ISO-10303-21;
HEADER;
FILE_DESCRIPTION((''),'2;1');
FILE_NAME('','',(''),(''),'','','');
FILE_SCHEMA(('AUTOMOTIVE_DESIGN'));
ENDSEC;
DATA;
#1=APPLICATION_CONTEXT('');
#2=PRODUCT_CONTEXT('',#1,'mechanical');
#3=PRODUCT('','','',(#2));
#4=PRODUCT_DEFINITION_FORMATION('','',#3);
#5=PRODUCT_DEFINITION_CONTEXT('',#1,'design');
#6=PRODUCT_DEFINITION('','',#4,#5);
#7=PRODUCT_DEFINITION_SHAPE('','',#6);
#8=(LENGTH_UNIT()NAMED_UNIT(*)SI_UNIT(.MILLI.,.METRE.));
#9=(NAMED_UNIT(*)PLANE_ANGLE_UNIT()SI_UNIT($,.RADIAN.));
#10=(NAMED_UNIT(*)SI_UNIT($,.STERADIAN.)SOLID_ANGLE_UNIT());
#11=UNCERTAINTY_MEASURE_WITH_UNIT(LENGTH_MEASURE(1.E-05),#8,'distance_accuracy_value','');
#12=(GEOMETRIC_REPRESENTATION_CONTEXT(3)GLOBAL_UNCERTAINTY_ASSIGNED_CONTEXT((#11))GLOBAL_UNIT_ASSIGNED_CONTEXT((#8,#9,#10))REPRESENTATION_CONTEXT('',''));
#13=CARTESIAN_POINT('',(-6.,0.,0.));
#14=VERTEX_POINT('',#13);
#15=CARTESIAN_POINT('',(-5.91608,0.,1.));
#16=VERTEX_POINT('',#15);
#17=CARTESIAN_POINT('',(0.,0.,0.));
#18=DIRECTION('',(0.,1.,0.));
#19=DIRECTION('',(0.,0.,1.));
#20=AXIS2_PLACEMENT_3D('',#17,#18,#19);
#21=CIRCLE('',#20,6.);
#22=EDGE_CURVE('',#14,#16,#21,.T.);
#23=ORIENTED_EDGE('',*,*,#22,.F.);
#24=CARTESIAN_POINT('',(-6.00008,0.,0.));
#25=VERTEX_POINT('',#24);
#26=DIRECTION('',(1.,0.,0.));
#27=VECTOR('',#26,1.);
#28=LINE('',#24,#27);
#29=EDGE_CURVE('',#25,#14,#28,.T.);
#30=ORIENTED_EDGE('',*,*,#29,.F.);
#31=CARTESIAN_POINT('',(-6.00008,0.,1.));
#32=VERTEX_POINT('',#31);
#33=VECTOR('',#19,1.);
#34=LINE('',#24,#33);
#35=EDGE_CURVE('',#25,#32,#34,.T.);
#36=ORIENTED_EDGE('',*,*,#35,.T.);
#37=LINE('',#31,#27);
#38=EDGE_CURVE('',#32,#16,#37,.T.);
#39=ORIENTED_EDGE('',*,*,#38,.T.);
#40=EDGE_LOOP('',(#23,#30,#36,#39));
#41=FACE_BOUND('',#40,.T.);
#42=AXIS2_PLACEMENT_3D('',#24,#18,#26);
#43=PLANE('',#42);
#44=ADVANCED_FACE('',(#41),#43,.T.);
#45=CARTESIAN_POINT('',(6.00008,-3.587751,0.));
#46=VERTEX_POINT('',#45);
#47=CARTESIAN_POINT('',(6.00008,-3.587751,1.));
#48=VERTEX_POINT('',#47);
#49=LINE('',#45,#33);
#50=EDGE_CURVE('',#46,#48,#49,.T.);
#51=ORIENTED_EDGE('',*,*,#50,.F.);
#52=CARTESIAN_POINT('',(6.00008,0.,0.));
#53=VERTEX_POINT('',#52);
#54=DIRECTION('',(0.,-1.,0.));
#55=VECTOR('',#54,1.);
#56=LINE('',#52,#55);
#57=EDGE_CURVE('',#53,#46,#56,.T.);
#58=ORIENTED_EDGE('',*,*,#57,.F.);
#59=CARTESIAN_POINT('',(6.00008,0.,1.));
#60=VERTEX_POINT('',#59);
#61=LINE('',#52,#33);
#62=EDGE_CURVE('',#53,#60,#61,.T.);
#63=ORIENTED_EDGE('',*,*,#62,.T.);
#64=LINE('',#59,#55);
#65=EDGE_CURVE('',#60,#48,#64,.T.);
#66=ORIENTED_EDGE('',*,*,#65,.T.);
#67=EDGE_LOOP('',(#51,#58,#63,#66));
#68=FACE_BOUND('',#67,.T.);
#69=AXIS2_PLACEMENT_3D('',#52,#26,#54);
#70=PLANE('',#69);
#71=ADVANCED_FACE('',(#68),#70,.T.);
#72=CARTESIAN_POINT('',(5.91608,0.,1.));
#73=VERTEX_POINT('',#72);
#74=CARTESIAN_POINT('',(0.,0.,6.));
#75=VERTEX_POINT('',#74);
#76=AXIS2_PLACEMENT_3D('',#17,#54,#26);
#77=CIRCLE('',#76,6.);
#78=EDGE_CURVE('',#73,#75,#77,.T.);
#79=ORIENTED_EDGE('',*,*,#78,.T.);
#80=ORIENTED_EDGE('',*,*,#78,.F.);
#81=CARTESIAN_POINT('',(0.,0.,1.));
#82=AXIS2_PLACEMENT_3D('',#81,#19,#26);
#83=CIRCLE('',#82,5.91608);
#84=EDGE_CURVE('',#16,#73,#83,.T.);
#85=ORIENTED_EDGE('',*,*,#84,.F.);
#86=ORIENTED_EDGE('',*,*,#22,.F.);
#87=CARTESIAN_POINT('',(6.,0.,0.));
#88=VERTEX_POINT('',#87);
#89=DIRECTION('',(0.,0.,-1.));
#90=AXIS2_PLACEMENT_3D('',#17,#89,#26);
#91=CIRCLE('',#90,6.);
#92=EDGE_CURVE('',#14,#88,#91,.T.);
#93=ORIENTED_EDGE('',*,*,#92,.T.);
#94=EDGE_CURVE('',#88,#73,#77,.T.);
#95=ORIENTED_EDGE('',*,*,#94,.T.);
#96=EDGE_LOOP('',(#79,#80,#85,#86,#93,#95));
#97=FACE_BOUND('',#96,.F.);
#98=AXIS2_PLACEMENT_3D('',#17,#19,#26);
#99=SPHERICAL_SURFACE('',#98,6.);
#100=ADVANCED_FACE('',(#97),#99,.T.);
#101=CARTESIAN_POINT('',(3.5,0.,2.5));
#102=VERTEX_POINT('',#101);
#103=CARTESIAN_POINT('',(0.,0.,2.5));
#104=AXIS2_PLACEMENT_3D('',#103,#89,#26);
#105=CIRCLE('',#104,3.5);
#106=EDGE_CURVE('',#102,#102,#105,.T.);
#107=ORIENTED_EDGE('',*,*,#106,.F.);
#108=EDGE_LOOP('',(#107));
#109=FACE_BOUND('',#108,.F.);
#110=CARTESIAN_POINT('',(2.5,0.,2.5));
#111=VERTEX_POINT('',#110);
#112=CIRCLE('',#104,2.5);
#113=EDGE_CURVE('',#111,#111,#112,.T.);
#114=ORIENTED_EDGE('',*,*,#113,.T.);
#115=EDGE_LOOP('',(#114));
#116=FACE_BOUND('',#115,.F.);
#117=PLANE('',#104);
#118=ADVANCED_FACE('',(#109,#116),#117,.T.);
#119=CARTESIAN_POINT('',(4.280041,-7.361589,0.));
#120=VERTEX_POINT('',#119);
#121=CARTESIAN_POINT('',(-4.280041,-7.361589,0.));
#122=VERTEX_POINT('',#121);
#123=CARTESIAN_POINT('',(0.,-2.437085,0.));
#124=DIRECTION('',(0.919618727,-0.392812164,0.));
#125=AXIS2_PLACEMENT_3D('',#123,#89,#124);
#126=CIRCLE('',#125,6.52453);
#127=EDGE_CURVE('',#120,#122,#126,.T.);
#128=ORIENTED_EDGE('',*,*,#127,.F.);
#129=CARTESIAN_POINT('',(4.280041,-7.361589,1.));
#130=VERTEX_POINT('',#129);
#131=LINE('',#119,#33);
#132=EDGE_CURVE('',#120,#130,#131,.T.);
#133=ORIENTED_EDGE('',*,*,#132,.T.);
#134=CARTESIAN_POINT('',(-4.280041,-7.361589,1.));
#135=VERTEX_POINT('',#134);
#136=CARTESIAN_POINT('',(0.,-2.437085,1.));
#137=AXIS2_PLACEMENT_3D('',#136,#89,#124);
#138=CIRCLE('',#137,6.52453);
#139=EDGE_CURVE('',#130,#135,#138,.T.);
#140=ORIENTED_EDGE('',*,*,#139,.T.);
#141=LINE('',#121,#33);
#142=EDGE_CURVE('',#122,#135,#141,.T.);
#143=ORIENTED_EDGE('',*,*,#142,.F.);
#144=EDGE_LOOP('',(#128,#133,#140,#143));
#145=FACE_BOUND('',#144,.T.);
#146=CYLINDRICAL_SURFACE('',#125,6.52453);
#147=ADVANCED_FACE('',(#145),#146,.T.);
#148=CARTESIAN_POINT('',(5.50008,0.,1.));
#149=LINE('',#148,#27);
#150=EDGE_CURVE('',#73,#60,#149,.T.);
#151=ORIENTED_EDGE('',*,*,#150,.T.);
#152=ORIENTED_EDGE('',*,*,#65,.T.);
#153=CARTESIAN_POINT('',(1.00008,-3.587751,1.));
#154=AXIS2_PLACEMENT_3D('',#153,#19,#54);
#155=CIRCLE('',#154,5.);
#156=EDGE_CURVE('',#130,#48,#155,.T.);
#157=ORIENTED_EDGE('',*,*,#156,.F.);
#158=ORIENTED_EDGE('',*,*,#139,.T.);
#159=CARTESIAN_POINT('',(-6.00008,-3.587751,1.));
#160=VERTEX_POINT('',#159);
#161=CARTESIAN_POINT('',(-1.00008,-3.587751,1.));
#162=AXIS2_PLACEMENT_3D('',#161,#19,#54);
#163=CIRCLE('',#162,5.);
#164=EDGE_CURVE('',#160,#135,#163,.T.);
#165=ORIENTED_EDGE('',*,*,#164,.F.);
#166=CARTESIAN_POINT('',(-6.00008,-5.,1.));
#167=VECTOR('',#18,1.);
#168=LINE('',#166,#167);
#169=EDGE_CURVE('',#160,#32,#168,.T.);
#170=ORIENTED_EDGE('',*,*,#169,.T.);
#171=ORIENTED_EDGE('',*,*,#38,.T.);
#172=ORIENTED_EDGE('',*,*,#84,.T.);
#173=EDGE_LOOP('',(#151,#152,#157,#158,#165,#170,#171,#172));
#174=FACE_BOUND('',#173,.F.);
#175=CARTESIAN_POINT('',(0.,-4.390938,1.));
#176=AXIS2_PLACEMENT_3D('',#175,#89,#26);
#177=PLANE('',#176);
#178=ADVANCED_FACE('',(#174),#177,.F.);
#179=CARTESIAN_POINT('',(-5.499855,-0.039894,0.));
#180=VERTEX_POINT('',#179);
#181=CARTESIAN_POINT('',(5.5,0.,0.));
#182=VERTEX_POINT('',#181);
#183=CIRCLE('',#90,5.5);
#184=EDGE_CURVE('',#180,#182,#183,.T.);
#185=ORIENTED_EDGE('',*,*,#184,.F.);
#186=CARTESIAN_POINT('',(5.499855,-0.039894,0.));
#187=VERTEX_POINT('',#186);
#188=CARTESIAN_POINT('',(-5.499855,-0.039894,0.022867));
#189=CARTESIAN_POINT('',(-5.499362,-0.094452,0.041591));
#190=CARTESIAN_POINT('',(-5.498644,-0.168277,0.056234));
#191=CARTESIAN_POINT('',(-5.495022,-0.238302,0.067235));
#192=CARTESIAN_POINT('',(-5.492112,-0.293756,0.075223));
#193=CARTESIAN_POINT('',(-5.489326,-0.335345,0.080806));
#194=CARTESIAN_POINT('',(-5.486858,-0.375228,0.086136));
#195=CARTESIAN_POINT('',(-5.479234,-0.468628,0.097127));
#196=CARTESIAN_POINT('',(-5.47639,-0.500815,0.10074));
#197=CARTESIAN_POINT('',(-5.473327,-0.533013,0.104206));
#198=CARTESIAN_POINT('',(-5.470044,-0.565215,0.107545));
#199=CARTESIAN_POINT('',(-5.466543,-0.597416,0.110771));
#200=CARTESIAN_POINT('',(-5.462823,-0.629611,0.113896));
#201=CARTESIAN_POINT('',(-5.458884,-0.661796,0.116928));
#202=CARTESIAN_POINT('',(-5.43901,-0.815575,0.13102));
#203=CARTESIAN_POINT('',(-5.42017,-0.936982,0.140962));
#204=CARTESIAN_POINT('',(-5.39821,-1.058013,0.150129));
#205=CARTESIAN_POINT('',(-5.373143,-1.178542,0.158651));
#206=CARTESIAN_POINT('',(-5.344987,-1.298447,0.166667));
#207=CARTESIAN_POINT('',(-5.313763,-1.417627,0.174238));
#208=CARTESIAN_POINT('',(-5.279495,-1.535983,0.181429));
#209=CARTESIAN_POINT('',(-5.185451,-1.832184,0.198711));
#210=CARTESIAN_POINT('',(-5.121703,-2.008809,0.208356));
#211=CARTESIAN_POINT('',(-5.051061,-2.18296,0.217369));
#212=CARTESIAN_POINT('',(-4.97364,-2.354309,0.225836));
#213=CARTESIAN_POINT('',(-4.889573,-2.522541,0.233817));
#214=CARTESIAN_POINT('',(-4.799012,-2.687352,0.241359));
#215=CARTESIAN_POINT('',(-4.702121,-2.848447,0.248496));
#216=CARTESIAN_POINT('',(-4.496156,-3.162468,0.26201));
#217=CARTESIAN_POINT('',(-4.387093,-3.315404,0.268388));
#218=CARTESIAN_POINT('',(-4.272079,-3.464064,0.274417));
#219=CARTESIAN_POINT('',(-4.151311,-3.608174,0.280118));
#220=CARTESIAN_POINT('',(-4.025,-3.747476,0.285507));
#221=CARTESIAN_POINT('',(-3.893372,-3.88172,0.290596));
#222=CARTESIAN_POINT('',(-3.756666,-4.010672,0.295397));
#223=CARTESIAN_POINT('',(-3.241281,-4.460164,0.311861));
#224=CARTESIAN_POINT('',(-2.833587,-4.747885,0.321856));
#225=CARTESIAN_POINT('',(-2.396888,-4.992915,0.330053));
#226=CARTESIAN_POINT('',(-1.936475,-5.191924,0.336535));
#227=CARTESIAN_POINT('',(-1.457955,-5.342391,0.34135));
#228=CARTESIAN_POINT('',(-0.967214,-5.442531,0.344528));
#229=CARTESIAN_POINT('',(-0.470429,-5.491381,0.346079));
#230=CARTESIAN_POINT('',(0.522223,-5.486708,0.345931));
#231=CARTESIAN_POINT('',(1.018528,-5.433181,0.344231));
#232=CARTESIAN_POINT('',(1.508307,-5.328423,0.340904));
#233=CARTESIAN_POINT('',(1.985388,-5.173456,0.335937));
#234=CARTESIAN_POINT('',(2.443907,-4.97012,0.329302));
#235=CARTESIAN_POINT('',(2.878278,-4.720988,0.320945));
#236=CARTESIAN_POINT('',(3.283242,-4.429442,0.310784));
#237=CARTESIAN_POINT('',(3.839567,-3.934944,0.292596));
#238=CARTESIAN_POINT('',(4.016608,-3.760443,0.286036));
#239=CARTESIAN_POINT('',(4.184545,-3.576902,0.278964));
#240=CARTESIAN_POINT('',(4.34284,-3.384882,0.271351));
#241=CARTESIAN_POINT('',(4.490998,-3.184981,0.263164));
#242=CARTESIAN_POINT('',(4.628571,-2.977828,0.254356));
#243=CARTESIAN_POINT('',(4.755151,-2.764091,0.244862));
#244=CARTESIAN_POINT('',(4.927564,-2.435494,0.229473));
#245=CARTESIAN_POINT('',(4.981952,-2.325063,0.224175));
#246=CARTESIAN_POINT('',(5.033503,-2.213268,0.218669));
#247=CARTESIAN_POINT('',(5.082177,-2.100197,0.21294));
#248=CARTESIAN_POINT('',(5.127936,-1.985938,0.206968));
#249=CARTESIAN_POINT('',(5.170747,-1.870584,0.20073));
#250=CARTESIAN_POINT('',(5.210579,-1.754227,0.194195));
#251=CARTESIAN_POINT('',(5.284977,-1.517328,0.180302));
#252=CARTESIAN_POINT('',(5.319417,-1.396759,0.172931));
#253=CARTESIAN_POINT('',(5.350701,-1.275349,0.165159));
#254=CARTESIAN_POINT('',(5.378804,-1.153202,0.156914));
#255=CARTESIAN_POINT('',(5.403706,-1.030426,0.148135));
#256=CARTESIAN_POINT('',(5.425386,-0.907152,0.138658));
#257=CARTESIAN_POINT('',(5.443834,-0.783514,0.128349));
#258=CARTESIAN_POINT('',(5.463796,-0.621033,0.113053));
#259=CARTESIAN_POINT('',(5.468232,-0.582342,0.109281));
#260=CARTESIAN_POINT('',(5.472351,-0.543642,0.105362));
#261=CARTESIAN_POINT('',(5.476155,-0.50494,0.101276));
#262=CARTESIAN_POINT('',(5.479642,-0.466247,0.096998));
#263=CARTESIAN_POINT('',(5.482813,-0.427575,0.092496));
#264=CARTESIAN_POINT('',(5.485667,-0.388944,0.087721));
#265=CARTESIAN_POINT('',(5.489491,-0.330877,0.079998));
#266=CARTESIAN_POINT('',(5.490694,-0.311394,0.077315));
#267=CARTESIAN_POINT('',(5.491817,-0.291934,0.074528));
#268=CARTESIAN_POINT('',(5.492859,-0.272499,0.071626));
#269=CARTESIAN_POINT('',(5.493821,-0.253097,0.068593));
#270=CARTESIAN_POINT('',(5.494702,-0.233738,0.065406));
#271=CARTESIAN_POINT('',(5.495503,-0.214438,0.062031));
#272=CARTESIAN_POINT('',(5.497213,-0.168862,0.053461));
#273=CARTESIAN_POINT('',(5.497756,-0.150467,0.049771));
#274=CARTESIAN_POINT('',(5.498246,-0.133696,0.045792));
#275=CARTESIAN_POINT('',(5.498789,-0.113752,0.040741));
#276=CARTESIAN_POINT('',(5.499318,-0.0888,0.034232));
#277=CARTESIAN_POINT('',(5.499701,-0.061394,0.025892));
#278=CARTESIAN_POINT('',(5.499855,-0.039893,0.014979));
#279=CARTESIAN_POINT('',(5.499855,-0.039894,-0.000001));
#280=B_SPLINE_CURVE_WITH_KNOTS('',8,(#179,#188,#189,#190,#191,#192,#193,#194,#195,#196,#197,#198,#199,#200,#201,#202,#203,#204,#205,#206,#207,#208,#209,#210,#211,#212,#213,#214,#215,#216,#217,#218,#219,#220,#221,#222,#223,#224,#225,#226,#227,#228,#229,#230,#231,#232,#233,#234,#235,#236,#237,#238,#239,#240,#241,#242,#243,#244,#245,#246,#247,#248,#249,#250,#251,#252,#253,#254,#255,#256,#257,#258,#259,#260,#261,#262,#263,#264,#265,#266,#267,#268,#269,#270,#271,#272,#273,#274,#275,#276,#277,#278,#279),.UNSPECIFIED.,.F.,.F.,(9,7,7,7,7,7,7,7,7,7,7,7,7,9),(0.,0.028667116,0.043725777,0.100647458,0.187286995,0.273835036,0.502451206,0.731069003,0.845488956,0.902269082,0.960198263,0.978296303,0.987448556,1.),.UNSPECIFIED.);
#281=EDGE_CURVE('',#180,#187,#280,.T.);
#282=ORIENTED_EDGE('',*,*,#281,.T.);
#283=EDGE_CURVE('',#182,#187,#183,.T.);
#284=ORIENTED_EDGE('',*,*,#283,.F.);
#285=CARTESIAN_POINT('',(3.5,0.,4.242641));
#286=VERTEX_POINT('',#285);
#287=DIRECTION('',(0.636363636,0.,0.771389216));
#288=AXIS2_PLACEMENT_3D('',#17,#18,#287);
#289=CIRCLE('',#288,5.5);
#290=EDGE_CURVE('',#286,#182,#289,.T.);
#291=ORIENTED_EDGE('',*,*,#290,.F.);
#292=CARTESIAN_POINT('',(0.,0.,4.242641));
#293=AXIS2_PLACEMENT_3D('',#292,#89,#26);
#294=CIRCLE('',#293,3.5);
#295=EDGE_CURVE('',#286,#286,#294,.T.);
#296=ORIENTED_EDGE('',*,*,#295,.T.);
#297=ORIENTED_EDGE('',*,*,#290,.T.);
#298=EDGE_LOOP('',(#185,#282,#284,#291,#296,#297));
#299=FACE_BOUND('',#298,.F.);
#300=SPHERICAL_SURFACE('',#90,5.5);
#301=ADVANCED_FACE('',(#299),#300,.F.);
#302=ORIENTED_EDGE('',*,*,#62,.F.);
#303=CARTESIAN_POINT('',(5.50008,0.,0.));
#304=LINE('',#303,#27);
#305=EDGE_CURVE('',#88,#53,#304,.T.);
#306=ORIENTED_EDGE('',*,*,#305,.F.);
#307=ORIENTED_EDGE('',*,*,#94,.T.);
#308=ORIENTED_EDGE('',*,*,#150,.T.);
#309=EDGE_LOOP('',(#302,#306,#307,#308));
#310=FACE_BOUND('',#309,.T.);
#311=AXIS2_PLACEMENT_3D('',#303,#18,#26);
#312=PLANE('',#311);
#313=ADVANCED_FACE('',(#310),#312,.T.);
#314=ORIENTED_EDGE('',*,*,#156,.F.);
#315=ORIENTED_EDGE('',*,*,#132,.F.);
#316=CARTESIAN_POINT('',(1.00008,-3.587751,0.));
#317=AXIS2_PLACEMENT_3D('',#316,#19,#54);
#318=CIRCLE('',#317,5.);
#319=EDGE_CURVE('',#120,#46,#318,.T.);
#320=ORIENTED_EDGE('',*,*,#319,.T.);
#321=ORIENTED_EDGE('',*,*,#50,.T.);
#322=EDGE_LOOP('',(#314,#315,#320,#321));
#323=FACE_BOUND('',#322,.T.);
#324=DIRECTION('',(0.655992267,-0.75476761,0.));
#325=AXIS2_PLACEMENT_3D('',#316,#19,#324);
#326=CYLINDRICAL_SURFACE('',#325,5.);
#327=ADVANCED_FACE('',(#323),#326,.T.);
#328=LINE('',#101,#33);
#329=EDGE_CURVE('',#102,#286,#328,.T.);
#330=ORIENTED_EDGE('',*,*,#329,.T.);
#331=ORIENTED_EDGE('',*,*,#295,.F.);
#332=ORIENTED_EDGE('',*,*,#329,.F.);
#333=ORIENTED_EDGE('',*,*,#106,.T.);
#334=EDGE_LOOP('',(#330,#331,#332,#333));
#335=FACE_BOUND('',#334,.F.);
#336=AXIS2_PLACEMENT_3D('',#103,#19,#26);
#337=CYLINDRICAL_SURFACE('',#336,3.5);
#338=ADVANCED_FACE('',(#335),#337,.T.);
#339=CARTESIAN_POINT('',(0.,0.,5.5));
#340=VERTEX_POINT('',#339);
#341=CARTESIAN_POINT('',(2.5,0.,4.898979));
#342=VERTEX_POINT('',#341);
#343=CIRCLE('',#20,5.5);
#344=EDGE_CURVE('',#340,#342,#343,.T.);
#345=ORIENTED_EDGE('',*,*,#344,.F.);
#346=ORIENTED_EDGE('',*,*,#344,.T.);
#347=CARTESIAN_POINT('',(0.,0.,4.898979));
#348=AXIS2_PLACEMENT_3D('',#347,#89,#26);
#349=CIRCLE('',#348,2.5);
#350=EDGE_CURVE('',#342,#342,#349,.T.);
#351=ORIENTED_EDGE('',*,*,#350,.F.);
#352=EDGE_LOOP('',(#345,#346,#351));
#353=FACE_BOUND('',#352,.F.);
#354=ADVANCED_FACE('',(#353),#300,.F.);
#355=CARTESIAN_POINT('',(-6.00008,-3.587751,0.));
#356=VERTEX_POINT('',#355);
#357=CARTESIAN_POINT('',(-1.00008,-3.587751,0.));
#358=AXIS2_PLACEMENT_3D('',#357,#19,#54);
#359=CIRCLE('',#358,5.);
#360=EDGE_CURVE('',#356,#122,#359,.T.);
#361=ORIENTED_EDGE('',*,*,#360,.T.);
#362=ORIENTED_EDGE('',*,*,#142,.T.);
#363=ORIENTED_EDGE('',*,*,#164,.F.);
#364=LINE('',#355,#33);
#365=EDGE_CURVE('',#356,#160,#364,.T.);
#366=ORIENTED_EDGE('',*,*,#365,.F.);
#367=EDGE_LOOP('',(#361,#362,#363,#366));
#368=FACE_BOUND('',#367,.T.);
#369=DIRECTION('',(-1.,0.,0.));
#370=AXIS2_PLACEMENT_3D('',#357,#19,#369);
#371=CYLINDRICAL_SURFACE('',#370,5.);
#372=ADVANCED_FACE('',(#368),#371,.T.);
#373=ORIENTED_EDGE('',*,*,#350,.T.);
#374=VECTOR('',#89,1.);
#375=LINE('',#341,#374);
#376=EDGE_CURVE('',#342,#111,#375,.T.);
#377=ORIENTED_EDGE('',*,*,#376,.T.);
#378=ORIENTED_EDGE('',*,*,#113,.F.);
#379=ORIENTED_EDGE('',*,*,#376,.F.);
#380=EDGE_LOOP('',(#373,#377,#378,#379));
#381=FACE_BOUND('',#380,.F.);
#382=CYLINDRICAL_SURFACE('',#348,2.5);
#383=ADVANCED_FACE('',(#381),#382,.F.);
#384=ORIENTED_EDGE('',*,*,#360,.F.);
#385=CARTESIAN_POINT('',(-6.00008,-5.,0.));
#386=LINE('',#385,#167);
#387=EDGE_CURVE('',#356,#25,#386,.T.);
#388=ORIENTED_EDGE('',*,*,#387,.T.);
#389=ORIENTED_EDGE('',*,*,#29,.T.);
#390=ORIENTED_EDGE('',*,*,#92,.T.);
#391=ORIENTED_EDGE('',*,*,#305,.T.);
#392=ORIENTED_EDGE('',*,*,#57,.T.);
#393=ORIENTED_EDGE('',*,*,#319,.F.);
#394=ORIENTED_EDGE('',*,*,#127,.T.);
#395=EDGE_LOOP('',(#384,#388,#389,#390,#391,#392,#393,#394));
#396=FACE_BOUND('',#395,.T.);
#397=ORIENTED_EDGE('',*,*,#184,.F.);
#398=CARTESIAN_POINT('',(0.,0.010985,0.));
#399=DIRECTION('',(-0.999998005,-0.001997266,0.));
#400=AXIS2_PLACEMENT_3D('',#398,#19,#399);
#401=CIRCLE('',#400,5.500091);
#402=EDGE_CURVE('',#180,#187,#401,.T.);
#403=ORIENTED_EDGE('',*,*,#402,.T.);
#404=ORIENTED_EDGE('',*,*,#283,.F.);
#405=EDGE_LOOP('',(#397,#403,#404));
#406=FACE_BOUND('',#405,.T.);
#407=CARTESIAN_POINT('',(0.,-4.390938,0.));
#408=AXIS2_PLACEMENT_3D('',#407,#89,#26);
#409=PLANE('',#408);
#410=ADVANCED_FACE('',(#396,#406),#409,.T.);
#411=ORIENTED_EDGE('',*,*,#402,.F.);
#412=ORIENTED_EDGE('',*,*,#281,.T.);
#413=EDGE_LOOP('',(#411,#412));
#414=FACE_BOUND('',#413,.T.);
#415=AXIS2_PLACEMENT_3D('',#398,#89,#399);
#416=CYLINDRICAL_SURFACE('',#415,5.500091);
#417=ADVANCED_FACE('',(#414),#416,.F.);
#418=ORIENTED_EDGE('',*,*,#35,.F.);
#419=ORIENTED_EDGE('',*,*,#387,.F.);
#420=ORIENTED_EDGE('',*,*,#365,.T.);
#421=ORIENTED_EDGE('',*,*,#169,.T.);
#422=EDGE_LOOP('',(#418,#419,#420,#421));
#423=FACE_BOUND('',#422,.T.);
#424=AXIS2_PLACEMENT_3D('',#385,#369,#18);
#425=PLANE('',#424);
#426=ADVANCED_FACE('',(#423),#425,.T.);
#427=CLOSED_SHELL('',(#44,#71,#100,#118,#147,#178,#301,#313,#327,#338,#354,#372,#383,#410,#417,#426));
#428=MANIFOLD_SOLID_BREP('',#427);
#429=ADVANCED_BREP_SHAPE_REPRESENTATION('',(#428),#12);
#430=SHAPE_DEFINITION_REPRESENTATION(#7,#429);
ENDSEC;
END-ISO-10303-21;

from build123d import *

# Parameters (mm, degrees)
F3_DEPTH = 1
F4_R     = 5


with BuildPart() as f1:
    # F0 (on Front) → F1 (revolve)
    with BuildSketch(Plane.XZ):
        with BuildLine():
            Line((5.5, 0), (6, 0))
            ThreePointArc((6, 0), (4.2426406871, 4.2426406871), (0, 6))
            Line((0, 6), (0, 5.5))
            ThreePointArc((0, 5.5), (1.2856151892, 5.3476343915), (2.5, 4.8989794856))
            ThreePointArc((2.5, 4.8989794856), (3.0178958157, 4.5980762114), (3.5, 4.2426406871))
            ThreePointArc((3.5, 4.2426406871), (4.9749371855, 2.3452078799), (5.5, 0))
        make_face()
        with BuildLine():
            Line((3.5, 2.5), (3.5, 4.2426406871))
            ThreePointArc((3.5, 4.2426406871), (3.0178958157, 4.5980762114), (2.5, 4.8989794856))
            Line((2.5, 4.8989794856), (2.5, 2.5))
            Line((2.5, 2.5), (3.5, 2.5))
        make_face()
    revolve(axis=Axis((0, 0, 3), (0, 0, -1)))

    # F2 (on face) → F3 (join)
    with BuildSketch(Plane(origin=(0, 0, 0), x_dir=(1, 0, 0), z_dir=(0, 0, -1))):
        with BuildLine():
            Line((-6.0000796802, 5), (-6.0000796802, 0))
            Line((-6.0000796802, 0), (-5.5000796802, 0))
            ThreePointArc((-5.5000796802, 0), (0, 5.4891055059), (5.5000796802, 0))
            Line((5.5000796802, 0), (6.0000796802, 0))
            Line((6.0000796802, 0), (6.0000796802, 5))
            ThreePointArc((6.0000796802, 5), (0, 8.9616150573), (-6.0000796802, 5))
        make_face()
    extrude(amount=-F3_DEPTH)

    # F4
    f4_edges = [f1.edges().sort_by_distance(p)[0] for p in [
        (6.00008, -5, 0.5),
        (-6.00008, -5, 0.5),
    ]]
    fillet(f4_edges, radius=F4_R)


solid = f1.part
